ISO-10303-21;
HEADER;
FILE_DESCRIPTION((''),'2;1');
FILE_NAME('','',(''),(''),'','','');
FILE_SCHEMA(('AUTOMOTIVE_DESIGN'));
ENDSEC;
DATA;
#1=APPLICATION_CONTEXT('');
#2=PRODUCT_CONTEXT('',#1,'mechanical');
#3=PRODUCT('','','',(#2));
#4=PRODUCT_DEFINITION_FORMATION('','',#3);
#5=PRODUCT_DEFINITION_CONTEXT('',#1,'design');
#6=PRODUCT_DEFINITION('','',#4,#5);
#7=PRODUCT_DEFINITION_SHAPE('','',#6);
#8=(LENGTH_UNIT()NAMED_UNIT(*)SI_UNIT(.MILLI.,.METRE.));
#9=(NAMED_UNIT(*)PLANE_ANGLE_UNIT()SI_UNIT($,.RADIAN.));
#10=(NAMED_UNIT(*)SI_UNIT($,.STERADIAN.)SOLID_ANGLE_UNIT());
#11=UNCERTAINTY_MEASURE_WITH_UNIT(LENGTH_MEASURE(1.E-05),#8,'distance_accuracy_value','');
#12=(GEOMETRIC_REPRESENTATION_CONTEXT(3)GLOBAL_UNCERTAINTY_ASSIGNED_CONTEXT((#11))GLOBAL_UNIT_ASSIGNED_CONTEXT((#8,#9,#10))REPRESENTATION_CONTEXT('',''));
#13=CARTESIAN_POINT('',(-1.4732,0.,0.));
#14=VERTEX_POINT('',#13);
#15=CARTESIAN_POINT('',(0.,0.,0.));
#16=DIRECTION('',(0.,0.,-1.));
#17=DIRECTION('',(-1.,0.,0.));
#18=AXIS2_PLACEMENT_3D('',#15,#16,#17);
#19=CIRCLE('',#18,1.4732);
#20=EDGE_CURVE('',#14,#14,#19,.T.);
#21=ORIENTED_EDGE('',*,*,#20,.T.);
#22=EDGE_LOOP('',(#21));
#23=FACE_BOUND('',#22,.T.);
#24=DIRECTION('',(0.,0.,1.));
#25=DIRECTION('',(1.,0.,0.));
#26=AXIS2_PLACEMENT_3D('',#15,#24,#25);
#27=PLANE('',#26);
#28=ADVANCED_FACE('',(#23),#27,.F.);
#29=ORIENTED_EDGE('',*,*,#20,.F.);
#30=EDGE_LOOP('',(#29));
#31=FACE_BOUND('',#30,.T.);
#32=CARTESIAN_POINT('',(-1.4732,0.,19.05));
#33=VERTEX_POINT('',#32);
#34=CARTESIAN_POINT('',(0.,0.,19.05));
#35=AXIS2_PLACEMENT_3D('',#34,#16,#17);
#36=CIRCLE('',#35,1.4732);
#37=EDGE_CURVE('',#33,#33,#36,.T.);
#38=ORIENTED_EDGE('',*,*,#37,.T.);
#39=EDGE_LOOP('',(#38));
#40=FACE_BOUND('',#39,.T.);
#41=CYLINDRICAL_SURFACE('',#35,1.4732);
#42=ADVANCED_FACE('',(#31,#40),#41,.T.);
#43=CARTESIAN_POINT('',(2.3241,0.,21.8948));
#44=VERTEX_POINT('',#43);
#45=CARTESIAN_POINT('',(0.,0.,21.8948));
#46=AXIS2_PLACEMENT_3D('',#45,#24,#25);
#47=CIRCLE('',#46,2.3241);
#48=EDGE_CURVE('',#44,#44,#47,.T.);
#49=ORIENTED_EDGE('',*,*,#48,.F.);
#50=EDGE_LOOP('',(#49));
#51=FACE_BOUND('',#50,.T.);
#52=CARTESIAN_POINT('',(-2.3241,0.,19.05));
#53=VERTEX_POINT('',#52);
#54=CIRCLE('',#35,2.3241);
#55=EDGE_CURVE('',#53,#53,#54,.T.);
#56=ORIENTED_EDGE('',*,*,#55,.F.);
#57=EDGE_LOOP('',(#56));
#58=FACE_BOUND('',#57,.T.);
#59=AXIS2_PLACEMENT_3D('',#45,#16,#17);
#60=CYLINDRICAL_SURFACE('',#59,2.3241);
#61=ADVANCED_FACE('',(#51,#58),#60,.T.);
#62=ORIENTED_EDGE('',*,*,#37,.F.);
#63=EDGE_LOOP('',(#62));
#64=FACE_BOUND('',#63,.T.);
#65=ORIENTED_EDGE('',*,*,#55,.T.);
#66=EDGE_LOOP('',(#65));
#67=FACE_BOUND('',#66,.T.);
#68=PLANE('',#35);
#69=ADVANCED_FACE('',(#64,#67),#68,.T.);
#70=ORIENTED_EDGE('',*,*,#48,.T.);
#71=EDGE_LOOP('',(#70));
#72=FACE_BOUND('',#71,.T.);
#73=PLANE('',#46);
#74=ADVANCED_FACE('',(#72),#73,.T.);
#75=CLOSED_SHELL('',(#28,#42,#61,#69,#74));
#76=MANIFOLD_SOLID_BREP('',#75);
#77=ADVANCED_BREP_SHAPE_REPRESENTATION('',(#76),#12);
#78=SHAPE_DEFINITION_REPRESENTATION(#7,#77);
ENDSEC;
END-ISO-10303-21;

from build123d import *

# Parameters (mm, degrees)
SKETCH1_R         = 2.3241
EXTRUDE1_DEPTH    = 21.8948
SKETCH3_OUTSIDE_W = 11.22
SKETCH3_OUTSIDE_H = 11.22
SKETCH3_OUTSIDE_R = 1.4732
EXTRUDE2_DEPTH    = 19.05


with BuildPart() as part:
    # Sketch1 → Extrude1 (new body)
    with BuildSketch(Plane.XY):
        Circle(SKETCH1_R)
    extrude(amount=EXTRUDE1_DEPTH)

    # Sketch3 outside → Extrude2 (cut)
    with BuildSketch(Plane(origin=(0, 0, 0), x_dir=(-1, 0, 0), z_dir=(0, 0, -1))):
        Rectangle(SKETCH3_OUTSIDE_W, SKETCH3_OUTSIDE_H)
        Circle(SKETCH3_OUTSIDE_R, mode=Mode.SUBTRACT)
    extrude(amount=-EXTRUDE2_DEPTH, mode=Mode.SUBTRACT)


solid = part.part
